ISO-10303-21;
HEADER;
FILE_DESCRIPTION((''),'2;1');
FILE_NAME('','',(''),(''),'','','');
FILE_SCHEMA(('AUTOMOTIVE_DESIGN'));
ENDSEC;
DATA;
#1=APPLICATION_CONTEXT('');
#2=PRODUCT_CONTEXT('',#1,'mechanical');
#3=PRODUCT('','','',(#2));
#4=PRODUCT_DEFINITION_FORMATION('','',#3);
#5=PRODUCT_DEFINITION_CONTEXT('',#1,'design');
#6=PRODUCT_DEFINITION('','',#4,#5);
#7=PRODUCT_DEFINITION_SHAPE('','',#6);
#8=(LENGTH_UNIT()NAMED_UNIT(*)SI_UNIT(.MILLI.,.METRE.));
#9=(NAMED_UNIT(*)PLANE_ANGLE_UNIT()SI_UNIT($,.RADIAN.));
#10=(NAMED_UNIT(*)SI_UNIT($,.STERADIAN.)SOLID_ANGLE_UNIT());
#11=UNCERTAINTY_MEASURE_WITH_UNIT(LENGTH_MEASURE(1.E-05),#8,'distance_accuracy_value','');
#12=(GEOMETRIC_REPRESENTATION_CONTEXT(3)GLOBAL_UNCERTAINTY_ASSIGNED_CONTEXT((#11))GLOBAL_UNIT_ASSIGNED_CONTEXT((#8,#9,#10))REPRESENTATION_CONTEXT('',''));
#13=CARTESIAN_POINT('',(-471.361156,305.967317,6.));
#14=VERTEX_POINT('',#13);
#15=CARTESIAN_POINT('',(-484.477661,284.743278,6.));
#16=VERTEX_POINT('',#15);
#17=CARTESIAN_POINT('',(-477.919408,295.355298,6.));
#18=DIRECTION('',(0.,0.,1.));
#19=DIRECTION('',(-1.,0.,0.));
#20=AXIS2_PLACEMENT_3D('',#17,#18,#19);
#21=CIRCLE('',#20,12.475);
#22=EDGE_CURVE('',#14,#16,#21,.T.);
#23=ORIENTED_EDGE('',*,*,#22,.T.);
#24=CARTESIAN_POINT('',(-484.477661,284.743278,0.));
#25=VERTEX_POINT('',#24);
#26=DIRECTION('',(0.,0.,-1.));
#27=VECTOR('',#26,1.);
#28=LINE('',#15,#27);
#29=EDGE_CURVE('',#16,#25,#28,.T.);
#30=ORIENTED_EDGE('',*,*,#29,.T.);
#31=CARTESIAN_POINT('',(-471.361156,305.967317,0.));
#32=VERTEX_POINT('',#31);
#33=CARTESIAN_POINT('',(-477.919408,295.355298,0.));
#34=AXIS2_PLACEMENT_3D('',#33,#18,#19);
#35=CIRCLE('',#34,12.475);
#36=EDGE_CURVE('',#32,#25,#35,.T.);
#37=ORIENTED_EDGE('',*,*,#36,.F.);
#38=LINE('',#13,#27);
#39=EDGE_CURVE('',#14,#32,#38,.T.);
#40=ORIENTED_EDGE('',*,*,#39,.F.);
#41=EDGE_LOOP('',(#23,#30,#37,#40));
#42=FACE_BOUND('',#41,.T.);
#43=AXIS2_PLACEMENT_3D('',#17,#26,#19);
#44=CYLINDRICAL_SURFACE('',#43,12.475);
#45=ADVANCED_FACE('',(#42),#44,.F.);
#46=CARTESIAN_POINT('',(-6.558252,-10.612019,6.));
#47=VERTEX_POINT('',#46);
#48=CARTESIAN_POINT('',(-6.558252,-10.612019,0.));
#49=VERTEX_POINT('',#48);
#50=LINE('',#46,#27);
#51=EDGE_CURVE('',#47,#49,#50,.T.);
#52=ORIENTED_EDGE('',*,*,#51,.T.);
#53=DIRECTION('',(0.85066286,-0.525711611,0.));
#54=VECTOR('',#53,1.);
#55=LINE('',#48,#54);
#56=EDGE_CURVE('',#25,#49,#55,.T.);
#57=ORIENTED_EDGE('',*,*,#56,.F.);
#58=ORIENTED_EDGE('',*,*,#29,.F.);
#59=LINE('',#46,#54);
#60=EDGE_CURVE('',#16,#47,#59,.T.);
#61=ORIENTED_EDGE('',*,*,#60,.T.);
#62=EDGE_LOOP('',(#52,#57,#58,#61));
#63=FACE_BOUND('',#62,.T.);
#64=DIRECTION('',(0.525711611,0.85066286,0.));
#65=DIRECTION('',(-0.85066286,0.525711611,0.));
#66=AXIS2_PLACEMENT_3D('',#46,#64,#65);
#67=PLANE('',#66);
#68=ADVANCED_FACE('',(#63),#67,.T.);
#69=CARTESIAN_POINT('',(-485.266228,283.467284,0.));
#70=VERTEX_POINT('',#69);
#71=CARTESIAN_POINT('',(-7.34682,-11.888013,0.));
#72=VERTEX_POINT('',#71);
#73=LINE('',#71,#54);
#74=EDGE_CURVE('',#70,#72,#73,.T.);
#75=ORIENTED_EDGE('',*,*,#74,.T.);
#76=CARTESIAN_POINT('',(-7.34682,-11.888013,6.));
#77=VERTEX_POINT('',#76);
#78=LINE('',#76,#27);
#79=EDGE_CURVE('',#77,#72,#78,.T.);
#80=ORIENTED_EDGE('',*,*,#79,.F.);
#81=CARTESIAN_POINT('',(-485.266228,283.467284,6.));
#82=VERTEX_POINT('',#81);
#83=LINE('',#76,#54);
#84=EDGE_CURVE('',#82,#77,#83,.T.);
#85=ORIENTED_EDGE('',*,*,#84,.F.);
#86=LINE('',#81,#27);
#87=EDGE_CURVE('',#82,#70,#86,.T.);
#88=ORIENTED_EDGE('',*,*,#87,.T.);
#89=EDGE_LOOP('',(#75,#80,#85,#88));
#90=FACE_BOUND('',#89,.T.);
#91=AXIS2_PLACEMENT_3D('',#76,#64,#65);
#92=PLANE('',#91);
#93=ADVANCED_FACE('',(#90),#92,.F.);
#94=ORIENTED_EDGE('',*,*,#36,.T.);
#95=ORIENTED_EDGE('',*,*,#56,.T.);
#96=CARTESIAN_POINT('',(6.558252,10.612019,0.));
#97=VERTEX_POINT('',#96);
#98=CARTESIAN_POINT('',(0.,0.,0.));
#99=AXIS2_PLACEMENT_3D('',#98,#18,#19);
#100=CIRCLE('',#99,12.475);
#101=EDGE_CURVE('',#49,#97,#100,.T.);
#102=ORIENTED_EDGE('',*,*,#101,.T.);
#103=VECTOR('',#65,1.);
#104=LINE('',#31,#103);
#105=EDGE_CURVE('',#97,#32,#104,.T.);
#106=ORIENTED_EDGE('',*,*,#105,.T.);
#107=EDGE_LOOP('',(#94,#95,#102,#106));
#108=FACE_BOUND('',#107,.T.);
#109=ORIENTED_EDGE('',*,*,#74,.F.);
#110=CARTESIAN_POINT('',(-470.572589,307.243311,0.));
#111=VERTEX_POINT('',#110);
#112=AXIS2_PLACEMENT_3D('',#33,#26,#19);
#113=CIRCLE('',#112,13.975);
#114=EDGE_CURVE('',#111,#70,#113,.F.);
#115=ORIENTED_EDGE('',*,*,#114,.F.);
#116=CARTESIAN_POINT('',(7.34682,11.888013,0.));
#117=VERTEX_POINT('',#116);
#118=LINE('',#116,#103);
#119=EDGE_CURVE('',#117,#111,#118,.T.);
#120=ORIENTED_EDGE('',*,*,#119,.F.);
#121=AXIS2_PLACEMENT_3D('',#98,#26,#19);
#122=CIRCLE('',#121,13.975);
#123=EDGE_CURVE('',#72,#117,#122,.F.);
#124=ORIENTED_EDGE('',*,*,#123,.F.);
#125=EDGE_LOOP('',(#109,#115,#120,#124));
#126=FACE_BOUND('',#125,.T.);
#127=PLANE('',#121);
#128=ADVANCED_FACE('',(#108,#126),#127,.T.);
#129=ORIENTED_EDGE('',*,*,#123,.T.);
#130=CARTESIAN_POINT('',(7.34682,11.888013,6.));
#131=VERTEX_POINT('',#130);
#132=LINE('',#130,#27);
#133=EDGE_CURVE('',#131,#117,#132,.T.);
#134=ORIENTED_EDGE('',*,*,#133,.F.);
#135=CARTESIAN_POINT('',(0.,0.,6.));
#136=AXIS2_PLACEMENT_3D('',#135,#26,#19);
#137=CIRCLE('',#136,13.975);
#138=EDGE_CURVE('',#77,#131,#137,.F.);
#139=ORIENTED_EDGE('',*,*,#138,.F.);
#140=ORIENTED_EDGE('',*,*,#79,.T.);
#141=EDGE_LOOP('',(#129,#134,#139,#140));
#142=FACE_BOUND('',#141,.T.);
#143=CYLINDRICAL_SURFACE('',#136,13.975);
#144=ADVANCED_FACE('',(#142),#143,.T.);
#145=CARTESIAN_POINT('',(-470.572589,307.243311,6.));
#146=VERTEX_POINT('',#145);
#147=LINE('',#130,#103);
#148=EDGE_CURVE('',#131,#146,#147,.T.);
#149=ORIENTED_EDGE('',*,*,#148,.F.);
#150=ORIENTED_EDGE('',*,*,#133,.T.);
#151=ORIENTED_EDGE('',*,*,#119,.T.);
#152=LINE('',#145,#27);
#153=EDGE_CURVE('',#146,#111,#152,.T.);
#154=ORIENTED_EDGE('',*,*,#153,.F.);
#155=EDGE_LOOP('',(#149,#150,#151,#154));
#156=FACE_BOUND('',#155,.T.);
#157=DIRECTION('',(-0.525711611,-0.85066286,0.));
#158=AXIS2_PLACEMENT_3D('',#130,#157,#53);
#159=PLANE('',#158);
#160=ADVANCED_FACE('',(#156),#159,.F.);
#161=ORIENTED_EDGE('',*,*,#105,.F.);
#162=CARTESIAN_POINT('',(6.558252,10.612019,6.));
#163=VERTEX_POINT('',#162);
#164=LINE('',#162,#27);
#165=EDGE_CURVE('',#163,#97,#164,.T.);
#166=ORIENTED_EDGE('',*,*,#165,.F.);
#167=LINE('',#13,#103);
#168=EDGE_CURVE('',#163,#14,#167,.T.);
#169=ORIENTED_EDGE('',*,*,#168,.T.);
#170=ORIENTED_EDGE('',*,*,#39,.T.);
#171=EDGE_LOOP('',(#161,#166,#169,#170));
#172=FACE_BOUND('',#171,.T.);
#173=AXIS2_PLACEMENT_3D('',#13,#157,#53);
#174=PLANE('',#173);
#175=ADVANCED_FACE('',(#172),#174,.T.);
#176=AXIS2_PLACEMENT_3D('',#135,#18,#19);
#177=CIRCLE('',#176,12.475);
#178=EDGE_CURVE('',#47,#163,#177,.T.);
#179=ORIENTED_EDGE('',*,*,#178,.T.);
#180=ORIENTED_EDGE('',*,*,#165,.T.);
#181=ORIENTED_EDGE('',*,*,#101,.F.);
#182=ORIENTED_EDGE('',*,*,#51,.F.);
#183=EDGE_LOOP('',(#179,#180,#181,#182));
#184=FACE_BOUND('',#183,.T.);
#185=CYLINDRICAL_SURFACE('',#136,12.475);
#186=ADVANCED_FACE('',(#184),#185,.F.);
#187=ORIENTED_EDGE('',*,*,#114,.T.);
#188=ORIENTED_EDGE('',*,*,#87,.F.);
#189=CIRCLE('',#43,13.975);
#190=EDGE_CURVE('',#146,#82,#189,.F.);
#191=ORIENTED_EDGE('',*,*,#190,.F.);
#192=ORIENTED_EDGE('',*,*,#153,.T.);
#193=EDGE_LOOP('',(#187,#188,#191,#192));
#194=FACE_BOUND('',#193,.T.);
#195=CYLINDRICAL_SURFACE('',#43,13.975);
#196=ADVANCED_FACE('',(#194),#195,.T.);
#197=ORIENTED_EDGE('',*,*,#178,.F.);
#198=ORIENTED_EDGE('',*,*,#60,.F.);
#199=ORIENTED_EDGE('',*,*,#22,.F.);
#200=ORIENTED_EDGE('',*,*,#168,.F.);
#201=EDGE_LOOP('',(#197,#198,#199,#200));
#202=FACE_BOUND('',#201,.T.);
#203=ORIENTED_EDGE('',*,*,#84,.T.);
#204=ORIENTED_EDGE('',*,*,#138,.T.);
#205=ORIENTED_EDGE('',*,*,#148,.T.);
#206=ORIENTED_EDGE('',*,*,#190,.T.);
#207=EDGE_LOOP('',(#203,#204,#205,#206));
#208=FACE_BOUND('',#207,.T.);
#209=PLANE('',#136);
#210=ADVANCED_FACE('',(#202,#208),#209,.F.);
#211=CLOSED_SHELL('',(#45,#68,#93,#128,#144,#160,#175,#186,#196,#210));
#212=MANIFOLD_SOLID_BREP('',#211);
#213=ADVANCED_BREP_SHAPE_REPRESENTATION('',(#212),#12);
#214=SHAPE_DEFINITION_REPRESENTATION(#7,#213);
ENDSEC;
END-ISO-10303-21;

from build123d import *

# Parameters (mm, degrees)
EXTRUDE_1_DEPTH = 6


with BuildPart() as part:
    # 草图2 → 拉伸-薄壁1 (new body)
    with BuildSketch(Plane.XY):
        with BuildLine():
            Line((-470.572588548, 307.243310979), (7.346819765, 11.888013469))
            ThreePointArc((7.346819765, 11.888013469), (11.88801347, -7.34681977), (-7.346819769, -11.888013475))
            Line((-7.346819769, -11.888013475), (-485.266228081, 283.467284034))
            ThreePointArc((-485.266228081, 283.467284034), (-489.807421787, 302.702117273), (-470.572588548, 307.243310979))
        make_face()
        with BuildLine():
            Line((-471.361155965, 305.967316688), (6.558252348, 10.612019179))
            ThreePointArc((6.558252348, 10.612019179), (10.61201918, -6.558252353), (-6.558252352, -10.612019185))
            Line((-6.558252352, -10.612019185), (-484.477660664, 284.743278325))
            ThreePointArc((-484.477660664, 284.743278325), (-488.531427496, 301.913549856), (-471.361155965, 305.967316688))
        make_face(mode=Mode.SUBTRACT)
    extrude(amount=EXTRUDE_1_DEPTH)


solid = part.part
